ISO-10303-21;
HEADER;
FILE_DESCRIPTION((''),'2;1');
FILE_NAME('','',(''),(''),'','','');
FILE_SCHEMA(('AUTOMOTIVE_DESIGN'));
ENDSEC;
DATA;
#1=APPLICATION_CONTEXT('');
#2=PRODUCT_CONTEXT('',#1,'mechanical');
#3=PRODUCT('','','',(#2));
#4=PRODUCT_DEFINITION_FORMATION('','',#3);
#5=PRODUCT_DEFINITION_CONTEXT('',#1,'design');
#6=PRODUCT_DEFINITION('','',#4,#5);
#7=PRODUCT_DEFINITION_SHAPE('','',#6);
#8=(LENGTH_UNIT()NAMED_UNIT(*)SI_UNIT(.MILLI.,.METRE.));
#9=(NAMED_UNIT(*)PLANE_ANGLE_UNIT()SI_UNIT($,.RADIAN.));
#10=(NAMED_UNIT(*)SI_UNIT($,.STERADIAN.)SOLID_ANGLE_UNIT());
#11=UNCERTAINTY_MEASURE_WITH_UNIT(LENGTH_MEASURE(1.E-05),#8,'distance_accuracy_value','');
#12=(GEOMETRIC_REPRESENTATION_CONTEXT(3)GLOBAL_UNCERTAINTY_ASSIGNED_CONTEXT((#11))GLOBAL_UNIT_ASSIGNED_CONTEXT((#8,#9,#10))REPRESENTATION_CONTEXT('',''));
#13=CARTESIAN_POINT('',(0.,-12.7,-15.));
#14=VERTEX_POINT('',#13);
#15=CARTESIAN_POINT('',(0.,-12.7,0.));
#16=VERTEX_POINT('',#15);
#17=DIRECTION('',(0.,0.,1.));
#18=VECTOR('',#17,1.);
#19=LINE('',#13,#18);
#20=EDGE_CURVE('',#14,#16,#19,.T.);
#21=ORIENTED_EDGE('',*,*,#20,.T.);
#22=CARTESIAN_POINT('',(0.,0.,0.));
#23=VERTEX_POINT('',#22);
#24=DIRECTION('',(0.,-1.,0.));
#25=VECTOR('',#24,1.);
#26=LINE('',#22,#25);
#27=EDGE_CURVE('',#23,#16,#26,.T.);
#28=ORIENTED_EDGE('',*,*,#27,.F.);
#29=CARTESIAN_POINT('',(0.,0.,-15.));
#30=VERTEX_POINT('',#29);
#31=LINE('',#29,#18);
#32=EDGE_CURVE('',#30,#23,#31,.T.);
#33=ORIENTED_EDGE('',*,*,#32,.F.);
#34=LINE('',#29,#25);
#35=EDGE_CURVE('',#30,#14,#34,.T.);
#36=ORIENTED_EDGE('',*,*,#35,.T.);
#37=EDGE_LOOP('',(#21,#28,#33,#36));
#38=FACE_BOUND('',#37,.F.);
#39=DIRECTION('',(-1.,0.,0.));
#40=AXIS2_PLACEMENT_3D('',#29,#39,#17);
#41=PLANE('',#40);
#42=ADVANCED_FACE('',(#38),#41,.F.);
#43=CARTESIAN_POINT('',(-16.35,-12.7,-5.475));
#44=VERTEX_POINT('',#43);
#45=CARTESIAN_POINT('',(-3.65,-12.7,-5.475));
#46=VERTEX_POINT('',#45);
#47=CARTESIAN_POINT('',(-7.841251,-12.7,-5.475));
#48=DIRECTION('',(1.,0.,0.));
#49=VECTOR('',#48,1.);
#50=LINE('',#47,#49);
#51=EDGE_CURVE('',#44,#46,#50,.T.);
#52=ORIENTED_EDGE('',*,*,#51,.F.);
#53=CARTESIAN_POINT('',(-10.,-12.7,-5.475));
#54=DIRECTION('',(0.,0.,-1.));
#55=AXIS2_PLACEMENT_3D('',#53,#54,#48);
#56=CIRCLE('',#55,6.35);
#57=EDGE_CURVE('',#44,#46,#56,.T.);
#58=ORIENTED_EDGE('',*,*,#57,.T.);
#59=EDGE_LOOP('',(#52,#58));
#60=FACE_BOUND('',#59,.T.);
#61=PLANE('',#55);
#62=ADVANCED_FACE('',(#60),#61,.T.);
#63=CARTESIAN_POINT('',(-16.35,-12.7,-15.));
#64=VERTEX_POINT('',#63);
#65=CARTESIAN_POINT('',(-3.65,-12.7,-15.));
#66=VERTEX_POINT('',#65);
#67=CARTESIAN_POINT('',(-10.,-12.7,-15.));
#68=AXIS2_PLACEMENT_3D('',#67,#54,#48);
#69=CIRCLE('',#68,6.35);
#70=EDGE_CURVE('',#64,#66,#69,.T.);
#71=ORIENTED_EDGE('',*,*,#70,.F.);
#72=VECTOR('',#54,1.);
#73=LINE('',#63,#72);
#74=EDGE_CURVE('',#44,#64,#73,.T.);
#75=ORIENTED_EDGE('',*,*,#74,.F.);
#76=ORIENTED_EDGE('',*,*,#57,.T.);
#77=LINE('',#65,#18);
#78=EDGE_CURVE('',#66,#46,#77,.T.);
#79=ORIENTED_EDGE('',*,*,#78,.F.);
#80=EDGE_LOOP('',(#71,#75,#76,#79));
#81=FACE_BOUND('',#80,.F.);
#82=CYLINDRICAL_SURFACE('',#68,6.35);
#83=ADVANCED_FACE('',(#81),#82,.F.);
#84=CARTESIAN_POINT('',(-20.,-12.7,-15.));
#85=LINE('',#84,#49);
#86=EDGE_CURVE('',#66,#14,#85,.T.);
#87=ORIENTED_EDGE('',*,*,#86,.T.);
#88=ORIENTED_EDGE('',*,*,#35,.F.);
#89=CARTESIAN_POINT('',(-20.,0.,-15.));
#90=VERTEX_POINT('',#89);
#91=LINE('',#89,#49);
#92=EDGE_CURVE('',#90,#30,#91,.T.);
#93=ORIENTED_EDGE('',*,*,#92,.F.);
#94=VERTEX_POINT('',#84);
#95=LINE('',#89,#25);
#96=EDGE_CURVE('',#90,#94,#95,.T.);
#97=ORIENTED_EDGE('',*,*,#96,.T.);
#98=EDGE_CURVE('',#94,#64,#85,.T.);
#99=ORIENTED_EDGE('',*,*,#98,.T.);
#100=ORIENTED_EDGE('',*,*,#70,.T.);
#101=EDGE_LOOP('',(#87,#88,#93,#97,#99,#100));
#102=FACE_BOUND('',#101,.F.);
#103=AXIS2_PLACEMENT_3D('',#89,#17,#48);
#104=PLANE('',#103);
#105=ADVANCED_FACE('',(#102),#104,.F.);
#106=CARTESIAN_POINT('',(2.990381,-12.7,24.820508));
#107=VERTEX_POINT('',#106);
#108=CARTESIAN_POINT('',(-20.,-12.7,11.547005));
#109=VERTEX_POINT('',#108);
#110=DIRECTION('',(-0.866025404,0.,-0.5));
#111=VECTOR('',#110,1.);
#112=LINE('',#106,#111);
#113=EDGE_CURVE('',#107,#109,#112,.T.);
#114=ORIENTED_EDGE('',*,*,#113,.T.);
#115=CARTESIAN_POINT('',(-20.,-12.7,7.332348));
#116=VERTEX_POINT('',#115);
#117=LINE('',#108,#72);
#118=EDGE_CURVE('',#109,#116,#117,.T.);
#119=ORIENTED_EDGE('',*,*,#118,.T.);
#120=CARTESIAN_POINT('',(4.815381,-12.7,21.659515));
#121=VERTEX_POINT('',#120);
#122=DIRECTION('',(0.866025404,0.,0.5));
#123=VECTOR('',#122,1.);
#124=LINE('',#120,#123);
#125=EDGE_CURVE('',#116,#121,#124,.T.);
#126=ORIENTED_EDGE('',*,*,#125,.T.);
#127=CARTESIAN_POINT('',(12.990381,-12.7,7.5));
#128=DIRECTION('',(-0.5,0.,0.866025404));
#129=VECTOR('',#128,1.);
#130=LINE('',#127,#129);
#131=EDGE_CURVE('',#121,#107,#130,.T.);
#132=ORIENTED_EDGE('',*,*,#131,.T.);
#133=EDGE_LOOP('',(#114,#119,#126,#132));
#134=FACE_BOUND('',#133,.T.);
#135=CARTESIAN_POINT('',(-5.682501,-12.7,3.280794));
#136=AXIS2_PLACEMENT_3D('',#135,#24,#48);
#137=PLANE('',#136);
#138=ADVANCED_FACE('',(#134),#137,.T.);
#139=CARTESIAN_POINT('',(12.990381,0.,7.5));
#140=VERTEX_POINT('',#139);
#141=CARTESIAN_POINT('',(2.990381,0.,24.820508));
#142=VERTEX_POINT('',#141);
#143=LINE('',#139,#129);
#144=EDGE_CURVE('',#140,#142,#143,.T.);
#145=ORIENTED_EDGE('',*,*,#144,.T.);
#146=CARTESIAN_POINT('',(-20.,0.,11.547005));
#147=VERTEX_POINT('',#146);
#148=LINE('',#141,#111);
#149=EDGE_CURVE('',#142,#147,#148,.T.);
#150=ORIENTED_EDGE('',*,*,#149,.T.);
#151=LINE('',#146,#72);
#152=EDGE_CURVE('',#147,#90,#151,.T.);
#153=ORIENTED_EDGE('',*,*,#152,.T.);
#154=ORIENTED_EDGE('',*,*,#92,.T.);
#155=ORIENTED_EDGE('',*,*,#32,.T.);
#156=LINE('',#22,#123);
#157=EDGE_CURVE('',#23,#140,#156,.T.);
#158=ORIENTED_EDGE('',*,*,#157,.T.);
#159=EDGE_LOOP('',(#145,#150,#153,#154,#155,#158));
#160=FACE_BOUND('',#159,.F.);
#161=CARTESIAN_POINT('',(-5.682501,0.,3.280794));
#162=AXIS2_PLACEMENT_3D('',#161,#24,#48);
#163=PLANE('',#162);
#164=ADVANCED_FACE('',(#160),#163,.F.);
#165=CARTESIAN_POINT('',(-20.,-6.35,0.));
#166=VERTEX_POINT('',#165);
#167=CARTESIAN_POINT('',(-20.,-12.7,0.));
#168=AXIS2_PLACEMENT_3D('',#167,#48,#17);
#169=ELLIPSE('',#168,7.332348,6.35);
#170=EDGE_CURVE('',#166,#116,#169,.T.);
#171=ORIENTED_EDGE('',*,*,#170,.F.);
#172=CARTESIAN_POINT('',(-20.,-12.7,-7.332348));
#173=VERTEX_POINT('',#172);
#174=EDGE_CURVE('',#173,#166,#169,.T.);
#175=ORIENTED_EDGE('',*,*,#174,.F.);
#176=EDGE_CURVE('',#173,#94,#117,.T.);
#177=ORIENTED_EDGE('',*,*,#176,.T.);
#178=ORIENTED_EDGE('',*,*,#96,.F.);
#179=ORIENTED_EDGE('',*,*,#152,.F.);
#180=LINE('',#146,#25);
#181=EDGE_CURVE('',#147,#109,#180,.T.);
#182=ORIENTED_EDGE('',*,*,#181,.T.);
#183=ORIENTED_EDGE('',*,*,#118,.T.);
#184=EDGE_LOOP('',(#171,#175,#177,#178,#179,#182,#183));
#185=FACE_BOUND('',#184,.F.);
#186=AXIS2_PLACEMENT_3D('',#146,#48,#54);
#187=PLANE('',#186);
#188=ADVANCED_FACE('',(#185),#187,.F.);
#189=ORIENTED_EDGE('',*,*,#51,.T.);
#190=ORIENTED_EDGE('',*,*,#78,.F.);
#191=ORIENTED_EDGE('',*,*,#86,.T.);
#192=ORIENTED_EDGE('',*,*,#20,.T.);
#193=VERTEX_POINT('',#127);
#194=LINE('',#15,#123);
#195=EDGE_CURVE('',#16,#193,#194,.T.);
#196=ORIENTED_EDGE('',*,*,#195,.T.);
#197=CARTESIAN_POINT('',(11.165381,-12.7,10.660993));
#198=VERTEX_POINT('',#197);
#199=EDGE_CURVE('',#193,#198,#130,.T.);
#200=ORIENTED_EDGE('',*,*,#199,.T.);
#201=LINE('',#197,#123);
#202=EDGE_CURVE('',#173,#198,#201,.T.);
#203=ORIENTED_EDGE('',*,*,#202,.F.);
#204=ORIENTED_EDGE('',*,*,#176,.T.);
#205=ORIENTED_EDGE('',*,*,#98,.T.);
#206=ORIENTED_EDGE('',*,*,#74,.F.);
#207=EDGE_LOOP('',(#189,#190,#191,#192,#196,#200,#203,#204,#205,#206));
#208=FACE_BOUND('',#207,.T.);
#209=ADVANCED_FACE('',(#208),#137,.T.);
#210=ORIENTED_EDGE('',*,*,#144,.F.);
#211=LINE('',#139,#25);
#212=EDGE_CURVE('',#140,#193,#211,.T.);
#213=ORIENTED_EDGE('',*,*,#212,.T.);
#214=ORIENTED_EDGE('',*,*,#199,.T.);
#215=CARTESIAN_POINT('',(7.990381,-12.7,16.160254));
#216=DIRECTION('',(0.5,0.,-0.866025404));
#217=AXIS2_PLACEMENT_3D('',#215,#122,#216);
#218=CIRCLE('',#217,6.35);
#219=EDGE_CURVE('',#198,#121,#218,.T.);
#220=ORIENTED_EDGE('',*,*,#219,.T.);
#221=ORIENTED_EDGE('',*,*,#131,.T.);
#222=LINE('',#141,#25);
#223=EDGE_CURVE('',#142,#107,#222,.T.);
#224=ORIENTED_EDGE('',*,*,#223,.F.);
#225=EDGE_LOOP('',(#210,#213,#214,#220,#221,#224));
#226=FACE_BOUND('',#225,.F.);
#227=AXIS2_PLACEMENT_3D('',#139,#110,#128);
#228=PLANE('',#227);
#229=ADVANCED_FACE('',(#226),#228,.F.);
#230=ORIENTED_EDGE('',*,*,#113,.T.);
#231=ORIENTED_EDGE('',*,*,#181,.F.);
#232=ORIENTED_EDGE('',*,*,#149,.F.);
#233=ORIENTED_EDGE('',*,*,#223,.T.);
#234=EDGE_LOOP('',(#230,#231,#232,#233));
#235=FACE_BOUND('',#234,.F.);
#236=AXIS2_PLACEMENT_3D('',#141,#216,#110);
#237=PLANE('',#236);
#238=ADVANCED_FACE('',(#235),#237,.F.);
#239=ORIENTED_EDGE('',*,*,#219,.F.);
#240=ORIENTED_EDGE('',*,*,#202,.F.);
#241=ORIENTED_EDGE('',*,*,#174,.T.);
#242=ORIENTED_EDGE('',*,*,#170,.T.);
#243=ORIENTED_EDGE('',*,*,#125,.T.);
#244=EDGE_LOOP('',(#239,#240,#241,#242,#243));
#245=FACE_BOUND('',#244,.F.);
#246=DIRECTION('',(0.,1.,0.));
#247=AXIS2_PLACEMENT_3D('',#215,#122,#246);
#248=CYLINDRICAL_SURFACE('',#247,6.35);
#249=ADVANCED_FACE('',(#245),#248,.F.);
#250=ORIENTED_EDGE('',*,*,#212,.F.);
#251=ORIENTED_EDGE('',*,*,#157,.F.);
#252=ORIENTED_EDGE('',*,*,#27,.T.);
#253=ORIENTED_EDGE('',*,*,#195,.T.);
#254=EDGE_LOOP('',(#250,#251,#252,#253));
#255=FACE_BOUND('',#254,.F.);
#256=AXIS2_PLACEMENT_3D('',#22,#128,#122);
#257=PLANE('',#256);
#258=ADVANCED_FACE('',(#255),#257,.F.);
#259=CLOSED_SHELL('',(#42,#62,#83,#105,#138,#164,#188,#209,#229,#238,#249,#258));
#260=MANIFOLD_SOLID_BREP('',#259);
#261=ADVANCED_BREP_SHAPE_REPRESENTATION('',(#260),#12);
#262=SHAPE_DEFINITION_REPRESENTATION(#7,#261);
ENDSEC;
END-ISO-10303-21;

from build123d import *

# Parameters (mm, degrees)
F1_DEPTH = 12.7
F2_R     = 6.35
F3_DEPTH = 39.8215080757
F4_R     = 6.35
F5_DEPTH = 9.525


with BuildPart() as f1:
    # F0 (on Front) → F1 (new body)
    with BuildSketch(Plane.XZ):
        Polygon((-20, 11.5470053838), (-20, -15), (0, -15), (0, 0), (12.9903810568, 7.5), (2.9903810568, 24.8205080757), align=None)
    extrude(amount=F1_DEPTH)

    # F2 (on face) → F3 (cut, through all)
    with BuildSketch(Plane(origin=(12.9903810568, 0, 7.5), x_dir=(0, 1, 0), z_dir=(0.8660254038, 0, 0.5))):
        with Locations((-12.7, 10)):
            Circle(F2_R)
    extrude(amount=-F3_DEPTH, mode=Mode.SUBTRACT)

    # F4 (on face) → F5 (cut)
    with BuildSketch(Plane(origin=(0, 0, -15), x_dir=(1, 0, 0), z_dir=(0, 0, -1))):
        with Locations((-10, 12.7)):
            Circle(F4_R)
    extrude(amount=-F5_DEPTH, mode=Mode.SUBTRACT)


solid = f1.part
